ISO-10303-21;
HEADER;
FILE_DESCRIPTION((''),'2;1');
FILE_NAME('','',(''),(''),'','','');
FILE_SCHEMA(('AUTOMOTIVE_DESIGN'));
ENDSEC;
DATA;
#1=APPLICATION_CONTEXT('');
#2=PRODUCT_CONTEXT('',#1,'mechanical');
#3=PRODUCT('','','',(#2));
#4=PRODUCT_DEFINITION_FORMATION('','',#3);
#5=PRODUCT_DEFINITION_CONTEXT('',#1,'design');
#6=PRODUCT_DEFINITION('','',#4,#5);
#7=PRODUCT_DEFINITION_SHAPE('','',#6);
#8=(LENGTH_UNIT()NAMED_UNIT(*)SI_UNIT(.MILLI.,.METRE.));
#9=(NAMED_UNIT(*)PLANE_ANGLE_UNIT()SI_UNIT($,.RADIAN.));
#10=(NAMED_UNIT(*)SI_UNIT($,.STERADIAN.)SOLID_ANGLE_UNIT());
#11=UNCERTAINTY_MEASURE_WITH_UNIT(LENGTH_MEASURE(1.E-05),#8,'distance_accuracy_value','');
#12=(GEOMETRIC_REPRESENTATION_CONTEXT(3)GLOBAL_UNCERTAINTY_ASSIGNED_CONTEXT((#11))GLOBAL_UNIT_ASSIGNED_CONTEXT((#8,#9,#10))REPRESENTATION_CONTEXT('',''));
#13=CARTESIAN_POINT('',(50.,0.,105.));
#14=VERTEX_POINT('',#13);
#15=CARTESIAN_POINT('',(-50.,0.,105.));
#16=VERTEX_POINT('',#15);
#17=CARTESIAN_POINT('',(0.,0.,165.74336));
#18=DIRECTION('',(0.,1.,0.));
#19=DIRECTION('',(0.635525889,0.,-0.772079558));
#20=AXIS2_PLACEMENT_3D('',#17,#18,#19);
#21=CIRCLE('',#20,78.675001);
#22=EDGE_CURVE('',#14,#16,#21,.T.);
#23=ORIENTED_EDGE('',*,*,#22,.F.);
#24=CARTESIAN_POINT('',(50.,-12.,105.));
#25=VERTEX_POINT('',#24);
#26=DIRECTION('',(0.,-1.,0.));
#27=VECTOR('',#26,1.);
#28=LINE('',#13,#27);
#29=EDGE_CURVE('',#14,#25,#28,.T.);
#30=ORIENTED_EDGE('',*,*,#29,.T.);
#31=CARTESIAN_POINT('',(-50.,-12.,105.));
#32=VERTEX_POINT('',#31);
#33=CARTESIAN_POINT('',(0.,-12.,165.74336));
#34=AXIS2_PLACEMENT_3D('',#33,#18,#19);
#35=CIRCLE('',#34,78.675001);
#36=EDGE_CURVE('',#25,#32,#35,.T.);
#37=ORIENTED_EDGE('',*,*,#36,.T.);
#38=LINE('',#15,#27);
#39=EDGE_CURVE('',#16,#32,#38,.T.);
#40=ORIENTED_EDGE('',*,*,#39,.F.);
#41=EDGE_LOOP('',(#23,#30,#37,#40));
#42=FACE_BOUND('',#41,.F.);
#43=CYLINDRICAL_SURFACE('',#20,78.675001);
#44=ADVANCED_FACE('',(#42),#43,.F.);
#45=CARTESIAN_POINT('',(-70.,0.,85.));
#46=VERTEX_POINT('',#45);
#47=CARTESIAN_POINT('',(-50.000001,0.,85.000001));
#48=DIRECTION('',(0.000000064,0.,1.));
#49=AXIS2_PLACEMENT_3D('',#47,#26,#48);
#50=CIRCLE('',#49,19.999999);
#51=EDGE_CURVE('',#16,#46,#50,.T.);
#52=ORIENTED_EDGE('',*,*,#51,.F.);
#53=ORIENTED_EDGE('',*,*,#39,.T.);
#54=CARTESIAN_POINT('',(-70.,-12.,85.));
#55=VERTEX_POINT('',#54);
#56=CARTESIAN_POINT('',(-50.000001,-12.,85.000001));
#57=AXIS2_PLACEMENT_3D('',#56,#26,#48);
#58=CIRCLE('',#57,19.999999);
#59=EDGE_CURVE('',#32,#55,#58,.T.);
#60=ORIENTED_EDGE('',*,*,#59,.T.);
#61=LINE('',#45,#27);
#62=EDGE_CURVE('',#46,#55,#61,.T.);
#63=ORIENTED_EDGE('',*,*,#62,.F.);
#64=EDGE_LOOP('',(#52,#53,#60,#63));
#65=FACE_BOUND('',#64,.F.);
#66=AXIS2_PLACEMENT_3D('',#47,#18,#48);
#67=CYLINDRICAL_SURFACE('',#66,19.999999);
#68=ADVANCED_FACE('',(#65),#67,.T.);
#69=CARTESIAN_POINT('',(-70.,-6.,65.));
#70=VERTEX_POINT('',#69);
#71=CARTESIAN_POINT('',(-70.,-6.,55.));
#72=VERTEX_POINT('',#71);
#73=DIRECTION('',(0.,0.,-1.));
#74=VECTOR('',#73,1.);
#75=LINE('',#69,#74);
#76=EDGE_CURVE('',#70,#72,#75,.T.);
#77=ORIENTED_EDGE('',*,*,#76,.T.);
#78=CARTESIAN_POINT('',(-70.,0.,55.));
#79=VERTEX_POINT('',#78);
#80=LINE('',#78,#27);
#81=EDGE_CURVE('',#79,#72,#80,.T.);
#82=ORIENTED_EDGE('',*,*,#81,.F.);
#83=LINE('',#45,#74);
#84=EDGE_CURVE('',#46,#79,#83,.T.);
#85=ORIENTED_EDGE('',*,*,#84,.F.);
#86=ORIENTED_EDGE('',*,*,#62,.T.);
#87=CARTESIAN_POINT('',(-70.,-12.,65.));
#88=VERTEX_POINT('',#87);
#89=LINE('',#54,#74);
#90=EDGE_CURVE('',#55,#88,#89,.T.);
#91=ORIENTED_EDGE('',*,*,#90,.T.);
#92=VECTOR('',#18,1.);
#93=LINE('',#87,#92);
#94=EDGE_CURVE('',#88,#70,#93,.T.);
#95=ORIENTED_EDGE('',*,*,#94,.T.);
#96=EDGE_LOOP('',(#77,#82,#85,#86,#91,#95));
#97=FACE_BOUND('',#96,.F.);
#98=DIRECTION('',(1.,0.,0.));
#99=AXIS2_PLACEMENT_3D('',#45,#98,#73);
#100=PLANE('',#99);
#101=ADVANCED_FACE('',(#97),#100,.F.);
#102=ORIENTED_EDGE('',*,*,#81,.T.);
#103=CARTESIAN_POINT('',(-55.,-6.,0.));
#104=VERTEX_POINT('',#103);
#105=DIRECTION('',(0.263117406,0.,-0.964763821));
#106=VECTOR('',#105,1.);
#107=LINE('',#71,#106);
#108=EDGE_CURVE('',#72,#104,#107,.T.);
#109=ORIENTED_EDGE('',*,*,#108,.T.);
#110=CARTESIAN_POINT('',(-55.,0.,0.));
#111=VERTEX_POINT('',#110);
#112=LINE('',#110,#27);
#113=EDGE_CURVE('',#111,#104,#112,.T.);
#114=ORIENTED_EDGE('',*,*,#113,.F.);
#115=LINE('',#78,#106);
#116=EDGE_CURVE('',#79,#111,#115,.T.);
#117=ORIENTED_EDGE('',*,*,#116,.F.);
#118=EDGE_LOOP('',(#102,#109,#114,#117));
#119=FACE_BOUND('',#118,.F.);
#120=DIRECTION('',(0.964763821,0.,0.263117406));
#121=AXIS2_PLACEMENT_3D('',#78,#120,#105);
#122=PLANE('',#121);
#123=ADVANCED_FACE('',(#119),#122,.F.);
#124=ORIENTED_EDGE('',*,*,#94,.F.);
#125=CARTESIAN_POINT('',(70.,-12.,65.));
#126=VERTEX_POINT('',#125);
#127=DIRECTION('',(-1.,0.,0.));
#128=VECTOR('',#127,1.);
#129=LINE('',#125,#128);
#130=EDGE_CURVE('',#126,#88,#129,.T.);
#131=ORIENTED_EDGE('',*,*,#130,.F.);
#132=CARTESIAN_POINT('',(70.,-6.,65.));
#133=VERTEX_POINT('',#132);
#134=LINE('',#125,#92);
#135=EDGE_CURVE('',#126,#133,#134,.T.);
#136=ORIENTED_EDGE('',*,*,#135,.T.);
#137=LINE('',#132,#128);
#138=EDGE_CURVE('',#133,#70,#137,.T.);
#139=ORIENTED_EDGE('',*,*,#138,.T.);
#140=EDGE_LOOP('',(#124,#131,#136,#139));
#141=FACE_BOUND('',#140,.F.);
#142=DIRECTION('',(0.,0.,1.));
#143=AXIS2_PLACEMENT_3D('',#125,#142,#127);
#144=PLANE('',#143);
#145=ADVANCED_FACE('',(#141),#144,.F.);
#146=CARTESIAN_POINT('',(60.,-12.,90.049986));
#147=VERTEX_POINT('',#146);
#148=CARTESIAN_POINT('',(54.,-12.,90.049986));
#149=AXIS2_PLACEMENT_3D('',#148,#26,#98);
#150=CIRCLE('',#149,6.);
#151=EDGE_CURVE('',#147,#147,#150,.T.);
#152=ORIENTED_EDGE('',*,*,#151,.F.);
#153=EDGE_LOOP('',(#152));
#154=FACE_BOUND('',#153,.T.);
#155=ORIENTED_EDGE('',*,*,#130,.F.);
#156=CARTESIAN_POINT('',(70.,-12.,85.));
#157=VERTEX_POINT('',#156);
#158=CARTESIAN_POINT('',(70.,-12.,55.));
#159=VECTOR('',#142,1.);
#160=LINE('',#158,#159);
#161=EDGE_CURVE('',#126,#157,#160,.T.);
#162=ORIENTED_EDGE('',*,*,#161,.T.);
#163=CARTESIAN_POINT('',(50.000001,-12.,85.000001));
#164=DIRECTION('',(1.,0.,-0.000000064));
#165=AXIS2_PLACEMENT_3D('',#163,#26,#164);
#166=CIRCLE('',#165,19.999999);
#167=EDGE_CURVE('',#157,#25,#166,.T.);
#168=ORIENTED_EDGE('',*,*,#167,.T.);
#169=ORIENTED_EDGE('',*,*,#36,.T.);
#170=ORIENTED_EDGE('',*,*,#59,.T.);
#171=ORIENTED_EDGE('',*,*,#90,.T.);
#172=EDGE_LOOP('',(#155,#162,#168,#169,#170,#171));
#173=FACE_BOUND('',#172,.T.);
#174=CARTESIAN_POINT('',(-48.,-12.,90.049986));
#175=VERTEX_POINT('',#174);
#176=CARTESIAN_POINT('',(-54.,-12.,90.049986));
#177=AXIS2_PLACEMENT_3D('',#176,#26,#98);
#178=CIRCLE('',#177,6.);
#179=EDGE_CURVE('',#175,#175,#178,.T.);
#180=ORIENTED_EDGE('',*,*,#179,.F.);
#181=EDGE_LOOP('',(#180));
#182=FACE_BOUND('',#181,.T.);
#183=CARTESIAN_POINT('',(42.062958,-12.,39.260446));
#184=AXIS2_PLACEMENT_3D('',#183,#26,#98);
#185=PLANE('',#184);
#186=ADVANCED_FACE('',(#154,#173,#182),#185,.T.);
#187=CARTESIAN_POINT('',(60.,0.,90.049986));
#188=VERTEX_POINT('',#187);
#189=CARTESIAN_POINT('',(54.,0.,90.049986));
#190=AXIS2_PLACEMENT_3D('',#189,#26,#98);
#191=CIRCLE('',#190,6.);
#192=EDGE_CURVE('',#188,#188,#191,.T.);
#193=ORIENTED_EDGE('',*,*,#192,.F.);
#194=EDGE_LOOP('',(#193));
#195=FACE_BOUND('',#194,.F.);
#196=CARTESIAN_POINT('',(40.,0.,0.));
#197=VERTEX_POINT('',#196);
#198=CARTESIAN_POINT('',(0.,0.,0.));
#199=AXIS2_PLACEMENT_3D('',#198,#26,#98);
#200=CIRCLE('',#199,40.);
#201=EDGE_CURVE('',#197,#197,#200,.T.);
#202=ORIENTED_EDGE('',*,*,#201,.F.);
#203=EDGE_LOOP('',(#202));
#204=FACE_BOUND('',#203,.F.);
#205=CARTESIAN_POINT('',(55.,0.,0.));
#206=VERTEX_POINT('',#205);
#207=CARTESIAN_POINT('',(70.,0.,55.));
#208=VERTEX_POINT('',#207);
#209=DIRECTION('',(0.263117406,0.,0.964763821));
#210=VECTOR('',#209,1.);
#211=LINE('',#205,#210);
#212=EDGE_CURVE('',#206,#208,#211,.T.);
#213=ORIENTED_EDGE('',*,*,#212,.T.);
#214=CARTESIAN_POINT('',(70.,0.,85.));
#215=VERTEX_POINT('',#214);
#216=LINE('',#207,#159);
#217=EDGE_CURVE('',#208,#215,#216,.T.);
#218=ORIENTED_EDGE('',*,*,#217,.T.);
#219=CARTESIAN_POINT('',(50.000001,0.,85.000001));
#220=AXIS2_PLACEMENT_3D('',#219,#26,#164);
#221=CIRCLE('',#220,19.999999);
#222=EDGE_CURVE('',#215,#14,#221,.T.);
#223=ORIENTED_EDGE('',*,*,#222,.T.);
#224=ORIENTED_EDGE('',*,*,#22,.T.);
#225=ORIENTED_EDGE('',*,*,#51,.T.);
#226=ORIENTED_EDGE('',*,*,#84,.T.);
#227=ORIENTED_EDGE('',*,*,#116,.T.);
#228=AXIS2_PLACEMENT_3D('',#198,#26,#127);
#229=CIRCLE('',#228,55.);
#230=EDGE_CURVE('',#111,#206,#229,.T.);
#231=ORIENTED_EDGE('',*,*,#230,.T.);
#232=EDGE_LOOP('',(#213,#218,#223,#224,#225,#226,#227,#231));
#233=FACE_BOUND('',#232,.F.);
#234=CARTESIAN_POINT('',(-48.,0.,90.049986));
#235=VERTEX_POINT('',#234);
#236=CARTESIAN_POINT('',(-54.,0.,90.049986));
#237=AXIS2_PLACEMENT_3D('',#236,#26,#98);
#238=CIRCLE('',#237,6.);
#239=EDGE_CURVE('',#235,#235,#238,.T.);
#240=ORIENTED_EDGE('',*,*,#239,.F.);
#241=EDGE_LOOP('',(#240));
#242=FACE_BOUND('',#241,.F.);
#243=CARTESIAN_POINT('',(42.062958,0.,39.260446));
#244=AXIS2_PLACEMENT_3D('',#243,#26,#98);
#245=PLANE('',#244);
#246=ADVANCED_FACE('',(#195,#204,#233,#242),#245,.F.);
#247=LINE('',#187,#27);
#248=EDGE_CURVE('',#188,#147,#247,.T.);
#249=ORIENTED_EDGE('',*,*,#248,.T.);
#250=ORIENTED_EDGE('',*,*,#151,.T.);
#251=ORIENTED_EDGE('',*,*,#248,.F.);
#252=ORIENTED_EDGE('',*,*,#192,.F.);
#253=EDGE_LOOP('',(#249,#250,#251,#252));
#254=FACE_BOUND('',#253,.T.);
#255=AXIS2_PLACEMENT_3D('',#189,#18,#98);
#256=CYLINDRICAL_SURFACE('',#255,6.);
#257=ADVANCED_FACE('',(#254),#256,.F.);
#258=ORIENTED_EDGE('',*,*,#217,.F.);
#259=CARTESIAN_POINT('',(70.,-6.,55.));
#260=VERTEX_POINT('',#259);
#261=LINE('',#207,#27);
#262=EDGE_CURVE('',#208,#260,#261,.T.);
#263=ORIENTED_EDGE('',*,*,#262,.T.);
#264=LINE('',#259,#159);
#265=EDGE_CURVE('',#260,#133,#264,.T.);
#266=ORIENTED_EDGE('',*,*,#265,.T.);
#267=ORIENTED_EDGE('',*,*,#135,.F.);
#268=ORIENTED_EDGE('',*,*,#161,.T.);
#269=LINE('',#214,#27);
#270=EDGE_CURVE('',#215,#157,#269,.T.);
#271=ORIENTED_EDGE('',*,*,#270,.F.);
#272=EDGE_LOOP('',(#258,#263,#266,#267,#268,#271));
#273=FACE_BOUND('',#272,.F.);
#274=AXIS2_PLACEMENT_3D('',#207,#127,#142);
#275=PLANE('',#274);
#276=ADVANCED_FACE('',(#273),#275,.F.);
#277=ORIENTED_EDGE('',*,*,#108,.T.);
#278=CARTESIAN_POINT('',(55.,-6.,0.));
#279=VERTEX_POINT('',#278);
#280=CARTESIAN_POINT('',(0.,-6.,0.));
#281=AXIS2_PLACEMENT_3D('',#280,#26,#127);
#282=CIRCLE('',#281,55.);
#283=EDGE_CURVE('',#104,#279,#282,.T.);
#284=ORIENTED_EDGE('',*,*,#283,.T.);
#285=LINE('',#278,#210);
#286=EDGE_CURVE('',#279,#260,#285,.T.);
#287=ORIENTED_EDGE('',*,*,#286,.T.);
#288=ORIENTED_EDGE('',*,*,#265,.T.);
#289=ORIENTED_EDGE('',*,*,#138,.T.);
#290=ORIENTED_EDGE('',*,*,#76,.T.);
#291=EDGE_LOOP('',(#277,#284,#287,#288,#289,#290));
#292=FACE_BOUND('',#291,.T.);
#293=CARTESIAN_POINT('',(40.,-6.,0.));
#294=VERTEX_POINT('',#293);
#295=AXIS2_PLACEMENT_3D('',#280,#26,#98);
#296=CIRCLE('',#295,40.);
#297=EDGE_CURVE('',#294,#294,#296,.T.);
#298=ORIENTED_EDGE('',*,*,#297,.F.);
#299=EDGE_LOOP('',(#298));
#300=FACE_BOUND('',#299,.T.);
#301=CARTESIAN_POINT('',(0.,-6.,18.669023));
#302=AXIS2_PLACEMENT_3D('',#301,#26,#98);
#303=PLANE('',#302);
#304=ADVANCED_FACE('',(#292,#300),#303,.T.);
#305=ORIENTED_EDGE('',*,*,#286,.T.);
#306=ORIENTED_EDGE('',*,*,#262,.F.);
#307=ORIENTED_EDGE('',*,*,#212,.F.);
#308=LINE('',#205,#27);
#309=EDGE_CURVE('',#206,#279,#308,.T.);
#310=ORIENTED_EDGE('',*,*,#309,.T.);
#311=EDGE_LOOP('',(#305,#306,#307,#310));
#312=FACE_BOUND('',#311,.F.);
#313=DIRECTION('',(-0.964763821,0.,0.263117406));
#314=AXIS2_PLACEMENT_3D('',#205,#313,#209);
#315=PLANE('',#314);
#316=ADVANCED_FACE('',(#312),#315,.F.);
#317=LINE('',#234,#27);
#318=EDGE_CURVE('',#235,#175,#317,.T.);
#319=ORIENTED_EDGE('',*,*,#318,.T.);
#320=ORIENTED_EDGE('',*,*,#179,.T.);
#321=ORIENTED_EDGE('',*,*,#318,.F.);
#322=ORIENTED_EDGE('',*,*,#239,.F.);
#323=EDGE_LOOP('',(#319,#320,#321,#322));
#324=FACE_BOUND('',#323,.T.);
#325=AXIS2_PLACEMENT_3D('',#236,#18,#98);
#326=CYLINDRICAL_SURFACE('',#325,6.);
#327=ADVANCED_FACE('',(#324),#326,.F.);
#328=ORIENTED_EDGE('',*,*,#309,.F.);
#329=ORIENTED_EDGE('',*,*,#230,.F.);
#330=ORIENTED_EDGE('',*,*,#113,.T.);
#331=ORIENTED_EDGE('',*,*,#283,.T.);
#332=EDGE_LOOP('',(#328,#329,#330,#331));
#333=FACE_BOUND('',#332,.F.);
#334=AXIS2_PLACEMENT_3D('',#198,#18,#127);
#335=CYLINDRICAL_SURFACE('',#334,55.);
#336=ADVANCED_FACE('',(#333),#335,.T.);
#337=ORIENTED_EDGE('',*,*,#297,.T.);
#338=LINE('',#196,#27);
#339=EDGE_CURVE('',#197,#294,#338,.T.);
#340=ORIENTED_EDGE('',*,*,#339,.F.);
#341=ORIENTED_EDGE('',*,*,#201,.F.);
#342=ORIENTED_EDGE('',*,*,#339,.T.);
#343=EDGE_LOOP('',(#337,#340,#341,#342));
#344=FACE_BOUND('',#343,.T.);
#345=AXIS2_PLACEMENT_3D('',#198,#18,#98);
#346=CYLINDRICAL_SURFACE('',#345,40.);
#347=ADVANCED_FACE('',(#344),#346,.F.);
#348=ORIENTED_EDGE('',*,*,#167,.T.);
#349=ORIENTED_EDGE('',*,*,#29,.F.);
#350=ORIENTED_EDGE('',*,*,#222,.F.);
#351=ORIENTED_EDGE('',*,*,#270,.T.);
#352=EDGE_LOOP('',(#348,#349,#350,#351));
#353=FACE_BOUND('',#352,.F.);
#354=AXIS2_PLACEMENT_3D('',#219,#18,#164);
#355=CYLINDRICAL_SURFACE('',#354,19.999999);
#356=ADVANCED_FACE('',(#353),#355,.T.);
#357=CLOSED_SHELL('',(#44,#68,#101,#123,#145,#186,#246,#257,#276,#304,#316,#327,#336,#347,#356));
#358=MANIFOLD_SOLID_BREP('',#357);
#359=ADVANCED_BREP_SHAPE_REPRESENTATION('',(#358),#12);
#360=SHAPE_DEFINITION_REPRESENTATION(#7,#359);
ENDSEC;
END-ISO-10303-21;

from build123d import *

# Parameters (mm, degrees)
F0_R     = 40
F0_R_2   = 6
F1_DEPTH = 12
F2_R     = 40
F3_DEPTH = 6


with BuildPart() as f1:
    # F0 (on Front) → F1 (new body)
    with BuildSketch(Plane.XZ):
        with BuildLine():
            ThreePointArc((0, 55), (38.890873, 38.890873), (55, 0))
            Line((55, 0), (70, 55))
            Line((70, 55), (0, 55))
        make_face()
        with BuildLine():
            ThreePointArc((-55, 0), (-38.890873, 38.890873), (0, 55))
            Line((0, 55), (-70, 55))
            Line((-70, 55), (-55, 0))
        make_face()
        with BuildLine():
            ThreePointArc((-55, 0), (0, -55), (55, 0))
            ThreePointArc((55, 0), (38.890873, 38.890873), (0, 55))
            ThreePointArc((0, 55), (-38.890873, 38.890873), (-55, 0))
        make_face()
        Circle(F0_R, mode=Mode.SUBTRACT)
        with BuildLine():
            Line((-70, 55), (0, 55))
            Line((0, 55), (70, 55))
            Line((70, 55), (70, 85))
            ThreePointArc((70, 85), (64.142136, 99.142136), (50, 105))
            ThreePointArc((50, 105), (0, 87.068359), (-50, 105))
            ThreePointArc((-50, 105), (-64.142136, 99.142136), (-70, 85))
            Line((-70, 85), (-70, 55))
        make_face()
        with Locations((-54, 90.049986)):
            Circle(F0_R_2, mode=Mode.SUBTRACT)
        with Locations((54, 90.049986)):
            Circle(F0_R_2, mode=Mode.SUBTRACT)
    extrude(amount=F1_DEPTH)

    # F2 (on face) → F3 (cut)
    with BuildSketch(Plane.XZ.offset(12)):
        with BuildLine():
            Line((-70, 55), (-55, 0))
            ThreePointArc((-55, 0), (0, -55), (55, 0))
            Line((55, 0), (70, 55))
            Line((70, 55), (70, 65))
            Line((70, 65), (0, 65))
            Line((0, 65), (-70, 65))
            Line((-70, 65), (-70, 55))
        make_face()
        Circle(F2_R, mode=Mode.SUBTRACT)
    extrude(amount=-F3_DEPTH, mode=Mode.SUBTRACT)


solid = f1.part
